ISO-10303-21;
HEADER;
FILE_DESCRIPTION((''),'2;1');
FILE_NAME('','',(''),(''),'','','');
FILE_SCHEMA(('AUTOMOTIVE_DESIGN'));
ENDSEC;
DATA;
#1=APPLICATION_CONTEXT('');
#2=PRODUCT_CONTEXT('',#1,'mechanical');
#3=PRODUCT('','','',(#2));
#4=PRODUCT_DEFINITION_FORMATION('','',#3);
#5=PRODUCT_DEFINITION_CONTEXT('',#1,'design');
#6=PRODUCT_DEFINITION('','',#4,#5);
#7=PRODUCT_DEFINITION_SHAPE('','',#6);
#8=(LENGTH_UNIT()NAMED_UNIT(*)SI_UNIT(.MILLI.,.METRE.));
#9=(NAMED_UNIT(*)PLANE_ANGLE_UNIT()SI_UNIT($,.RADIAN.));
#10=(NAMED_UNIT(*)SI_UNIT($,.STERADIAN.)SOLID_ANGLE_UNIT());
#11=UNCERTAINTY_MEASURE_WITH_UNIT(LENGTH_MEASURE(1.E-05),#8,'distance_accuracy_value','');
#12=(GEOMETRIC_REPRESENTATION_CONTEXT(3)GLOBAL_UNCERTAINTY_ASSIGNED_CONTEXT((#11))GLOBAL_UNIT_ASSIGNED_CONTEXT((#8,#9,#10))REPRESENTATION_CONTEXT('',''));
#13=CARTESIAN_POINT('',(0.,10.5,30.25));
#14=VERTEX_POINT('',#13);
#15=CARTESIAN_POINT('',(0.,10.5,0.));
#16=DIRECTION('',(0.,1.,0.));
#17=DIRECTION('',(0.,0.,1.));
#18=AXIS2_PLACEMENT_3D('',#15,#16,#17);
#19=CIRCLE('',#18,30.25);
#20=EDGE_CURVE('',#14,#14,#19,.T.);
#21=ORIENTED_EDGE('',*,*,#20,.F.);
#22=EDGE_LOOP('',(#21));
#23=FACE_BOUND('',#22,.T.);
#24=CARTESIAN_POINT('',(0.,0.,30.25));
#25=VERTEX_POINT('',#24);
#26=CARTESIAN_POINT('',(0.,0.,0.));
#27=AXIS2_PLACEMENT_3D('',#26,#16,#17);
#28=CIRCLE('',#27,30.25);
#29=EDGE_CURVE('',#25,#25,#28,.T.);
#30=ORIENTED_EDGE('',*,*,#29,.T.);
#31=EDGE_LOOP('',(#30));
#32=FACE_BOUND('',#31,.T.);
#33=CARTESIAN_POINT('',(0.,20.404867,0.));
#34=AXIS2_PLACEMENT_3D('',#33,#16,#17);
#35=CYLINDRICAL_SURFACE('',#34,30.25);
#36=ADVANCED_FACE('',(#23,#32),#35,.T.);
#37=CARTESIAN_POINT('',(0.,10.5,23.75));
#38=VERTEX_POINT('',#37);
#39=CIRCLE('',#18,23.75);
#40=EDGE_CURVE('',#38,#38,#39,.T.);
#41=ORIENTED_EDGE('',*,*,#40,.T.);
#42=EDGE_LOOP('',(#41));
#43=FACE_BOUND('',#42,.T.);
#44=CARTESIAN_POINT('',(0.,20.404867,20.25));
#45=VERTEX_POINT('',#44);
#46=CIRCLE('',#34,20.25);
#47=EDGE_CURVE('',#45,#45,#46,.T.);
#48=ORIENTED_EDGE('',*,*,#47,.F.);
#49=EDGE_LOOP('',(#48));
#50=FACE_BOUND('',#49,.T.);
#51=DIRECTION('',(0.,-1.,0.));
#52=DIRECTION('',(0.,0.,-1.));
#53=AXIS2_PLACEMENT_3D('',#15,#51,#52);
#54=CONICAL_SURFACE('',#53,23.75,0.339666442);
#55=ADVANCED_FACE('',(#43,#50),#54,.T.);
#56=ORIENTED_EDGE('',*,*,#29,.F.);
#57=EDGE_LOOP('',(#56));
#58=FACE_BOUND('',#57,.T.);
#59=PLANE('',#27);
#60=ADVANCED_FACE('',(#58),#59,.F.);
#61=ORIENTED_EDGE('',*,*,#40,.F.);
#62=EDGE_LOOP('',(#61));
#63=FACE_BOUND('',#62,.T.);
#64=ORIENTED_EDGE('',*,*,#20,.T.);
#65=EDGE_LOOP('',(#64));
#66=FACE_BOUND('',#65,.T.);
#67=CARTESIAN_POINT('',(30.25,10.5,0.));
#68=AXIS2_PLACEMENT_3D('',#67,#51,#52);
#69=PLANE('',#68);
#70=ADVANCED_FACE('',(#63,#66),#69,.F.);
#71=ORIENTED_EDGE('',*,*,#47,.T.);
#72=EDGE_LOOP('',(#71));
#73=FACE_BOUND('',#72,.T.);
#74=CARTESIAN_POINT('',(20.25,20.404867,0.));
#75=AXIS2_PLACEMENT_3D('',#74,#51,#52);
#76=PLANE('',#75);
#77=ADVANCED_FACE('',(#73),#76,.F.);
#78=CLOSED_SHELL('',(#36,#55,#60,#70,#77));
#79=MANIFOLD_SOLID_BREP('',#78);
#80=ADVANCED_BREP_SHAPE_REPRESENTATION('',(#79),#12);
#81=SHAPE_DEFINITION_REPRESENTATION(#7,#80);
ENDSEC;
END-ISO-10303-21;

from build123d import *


with BuildPart() as part:
    # Sketch2 → Revolve1 (revolve)
    with BuildSketch(Plane.XY):
        Polygon((0, 0), (30.25, 0), (30.25, 10.5), (23.75, 10.5), (20.25, 20.404867257), (0, 20.404867257), align=None)
    revolve(axis=Axis((0, 20.404867257, 0), (0, -1, 0)))


solid = part.part
